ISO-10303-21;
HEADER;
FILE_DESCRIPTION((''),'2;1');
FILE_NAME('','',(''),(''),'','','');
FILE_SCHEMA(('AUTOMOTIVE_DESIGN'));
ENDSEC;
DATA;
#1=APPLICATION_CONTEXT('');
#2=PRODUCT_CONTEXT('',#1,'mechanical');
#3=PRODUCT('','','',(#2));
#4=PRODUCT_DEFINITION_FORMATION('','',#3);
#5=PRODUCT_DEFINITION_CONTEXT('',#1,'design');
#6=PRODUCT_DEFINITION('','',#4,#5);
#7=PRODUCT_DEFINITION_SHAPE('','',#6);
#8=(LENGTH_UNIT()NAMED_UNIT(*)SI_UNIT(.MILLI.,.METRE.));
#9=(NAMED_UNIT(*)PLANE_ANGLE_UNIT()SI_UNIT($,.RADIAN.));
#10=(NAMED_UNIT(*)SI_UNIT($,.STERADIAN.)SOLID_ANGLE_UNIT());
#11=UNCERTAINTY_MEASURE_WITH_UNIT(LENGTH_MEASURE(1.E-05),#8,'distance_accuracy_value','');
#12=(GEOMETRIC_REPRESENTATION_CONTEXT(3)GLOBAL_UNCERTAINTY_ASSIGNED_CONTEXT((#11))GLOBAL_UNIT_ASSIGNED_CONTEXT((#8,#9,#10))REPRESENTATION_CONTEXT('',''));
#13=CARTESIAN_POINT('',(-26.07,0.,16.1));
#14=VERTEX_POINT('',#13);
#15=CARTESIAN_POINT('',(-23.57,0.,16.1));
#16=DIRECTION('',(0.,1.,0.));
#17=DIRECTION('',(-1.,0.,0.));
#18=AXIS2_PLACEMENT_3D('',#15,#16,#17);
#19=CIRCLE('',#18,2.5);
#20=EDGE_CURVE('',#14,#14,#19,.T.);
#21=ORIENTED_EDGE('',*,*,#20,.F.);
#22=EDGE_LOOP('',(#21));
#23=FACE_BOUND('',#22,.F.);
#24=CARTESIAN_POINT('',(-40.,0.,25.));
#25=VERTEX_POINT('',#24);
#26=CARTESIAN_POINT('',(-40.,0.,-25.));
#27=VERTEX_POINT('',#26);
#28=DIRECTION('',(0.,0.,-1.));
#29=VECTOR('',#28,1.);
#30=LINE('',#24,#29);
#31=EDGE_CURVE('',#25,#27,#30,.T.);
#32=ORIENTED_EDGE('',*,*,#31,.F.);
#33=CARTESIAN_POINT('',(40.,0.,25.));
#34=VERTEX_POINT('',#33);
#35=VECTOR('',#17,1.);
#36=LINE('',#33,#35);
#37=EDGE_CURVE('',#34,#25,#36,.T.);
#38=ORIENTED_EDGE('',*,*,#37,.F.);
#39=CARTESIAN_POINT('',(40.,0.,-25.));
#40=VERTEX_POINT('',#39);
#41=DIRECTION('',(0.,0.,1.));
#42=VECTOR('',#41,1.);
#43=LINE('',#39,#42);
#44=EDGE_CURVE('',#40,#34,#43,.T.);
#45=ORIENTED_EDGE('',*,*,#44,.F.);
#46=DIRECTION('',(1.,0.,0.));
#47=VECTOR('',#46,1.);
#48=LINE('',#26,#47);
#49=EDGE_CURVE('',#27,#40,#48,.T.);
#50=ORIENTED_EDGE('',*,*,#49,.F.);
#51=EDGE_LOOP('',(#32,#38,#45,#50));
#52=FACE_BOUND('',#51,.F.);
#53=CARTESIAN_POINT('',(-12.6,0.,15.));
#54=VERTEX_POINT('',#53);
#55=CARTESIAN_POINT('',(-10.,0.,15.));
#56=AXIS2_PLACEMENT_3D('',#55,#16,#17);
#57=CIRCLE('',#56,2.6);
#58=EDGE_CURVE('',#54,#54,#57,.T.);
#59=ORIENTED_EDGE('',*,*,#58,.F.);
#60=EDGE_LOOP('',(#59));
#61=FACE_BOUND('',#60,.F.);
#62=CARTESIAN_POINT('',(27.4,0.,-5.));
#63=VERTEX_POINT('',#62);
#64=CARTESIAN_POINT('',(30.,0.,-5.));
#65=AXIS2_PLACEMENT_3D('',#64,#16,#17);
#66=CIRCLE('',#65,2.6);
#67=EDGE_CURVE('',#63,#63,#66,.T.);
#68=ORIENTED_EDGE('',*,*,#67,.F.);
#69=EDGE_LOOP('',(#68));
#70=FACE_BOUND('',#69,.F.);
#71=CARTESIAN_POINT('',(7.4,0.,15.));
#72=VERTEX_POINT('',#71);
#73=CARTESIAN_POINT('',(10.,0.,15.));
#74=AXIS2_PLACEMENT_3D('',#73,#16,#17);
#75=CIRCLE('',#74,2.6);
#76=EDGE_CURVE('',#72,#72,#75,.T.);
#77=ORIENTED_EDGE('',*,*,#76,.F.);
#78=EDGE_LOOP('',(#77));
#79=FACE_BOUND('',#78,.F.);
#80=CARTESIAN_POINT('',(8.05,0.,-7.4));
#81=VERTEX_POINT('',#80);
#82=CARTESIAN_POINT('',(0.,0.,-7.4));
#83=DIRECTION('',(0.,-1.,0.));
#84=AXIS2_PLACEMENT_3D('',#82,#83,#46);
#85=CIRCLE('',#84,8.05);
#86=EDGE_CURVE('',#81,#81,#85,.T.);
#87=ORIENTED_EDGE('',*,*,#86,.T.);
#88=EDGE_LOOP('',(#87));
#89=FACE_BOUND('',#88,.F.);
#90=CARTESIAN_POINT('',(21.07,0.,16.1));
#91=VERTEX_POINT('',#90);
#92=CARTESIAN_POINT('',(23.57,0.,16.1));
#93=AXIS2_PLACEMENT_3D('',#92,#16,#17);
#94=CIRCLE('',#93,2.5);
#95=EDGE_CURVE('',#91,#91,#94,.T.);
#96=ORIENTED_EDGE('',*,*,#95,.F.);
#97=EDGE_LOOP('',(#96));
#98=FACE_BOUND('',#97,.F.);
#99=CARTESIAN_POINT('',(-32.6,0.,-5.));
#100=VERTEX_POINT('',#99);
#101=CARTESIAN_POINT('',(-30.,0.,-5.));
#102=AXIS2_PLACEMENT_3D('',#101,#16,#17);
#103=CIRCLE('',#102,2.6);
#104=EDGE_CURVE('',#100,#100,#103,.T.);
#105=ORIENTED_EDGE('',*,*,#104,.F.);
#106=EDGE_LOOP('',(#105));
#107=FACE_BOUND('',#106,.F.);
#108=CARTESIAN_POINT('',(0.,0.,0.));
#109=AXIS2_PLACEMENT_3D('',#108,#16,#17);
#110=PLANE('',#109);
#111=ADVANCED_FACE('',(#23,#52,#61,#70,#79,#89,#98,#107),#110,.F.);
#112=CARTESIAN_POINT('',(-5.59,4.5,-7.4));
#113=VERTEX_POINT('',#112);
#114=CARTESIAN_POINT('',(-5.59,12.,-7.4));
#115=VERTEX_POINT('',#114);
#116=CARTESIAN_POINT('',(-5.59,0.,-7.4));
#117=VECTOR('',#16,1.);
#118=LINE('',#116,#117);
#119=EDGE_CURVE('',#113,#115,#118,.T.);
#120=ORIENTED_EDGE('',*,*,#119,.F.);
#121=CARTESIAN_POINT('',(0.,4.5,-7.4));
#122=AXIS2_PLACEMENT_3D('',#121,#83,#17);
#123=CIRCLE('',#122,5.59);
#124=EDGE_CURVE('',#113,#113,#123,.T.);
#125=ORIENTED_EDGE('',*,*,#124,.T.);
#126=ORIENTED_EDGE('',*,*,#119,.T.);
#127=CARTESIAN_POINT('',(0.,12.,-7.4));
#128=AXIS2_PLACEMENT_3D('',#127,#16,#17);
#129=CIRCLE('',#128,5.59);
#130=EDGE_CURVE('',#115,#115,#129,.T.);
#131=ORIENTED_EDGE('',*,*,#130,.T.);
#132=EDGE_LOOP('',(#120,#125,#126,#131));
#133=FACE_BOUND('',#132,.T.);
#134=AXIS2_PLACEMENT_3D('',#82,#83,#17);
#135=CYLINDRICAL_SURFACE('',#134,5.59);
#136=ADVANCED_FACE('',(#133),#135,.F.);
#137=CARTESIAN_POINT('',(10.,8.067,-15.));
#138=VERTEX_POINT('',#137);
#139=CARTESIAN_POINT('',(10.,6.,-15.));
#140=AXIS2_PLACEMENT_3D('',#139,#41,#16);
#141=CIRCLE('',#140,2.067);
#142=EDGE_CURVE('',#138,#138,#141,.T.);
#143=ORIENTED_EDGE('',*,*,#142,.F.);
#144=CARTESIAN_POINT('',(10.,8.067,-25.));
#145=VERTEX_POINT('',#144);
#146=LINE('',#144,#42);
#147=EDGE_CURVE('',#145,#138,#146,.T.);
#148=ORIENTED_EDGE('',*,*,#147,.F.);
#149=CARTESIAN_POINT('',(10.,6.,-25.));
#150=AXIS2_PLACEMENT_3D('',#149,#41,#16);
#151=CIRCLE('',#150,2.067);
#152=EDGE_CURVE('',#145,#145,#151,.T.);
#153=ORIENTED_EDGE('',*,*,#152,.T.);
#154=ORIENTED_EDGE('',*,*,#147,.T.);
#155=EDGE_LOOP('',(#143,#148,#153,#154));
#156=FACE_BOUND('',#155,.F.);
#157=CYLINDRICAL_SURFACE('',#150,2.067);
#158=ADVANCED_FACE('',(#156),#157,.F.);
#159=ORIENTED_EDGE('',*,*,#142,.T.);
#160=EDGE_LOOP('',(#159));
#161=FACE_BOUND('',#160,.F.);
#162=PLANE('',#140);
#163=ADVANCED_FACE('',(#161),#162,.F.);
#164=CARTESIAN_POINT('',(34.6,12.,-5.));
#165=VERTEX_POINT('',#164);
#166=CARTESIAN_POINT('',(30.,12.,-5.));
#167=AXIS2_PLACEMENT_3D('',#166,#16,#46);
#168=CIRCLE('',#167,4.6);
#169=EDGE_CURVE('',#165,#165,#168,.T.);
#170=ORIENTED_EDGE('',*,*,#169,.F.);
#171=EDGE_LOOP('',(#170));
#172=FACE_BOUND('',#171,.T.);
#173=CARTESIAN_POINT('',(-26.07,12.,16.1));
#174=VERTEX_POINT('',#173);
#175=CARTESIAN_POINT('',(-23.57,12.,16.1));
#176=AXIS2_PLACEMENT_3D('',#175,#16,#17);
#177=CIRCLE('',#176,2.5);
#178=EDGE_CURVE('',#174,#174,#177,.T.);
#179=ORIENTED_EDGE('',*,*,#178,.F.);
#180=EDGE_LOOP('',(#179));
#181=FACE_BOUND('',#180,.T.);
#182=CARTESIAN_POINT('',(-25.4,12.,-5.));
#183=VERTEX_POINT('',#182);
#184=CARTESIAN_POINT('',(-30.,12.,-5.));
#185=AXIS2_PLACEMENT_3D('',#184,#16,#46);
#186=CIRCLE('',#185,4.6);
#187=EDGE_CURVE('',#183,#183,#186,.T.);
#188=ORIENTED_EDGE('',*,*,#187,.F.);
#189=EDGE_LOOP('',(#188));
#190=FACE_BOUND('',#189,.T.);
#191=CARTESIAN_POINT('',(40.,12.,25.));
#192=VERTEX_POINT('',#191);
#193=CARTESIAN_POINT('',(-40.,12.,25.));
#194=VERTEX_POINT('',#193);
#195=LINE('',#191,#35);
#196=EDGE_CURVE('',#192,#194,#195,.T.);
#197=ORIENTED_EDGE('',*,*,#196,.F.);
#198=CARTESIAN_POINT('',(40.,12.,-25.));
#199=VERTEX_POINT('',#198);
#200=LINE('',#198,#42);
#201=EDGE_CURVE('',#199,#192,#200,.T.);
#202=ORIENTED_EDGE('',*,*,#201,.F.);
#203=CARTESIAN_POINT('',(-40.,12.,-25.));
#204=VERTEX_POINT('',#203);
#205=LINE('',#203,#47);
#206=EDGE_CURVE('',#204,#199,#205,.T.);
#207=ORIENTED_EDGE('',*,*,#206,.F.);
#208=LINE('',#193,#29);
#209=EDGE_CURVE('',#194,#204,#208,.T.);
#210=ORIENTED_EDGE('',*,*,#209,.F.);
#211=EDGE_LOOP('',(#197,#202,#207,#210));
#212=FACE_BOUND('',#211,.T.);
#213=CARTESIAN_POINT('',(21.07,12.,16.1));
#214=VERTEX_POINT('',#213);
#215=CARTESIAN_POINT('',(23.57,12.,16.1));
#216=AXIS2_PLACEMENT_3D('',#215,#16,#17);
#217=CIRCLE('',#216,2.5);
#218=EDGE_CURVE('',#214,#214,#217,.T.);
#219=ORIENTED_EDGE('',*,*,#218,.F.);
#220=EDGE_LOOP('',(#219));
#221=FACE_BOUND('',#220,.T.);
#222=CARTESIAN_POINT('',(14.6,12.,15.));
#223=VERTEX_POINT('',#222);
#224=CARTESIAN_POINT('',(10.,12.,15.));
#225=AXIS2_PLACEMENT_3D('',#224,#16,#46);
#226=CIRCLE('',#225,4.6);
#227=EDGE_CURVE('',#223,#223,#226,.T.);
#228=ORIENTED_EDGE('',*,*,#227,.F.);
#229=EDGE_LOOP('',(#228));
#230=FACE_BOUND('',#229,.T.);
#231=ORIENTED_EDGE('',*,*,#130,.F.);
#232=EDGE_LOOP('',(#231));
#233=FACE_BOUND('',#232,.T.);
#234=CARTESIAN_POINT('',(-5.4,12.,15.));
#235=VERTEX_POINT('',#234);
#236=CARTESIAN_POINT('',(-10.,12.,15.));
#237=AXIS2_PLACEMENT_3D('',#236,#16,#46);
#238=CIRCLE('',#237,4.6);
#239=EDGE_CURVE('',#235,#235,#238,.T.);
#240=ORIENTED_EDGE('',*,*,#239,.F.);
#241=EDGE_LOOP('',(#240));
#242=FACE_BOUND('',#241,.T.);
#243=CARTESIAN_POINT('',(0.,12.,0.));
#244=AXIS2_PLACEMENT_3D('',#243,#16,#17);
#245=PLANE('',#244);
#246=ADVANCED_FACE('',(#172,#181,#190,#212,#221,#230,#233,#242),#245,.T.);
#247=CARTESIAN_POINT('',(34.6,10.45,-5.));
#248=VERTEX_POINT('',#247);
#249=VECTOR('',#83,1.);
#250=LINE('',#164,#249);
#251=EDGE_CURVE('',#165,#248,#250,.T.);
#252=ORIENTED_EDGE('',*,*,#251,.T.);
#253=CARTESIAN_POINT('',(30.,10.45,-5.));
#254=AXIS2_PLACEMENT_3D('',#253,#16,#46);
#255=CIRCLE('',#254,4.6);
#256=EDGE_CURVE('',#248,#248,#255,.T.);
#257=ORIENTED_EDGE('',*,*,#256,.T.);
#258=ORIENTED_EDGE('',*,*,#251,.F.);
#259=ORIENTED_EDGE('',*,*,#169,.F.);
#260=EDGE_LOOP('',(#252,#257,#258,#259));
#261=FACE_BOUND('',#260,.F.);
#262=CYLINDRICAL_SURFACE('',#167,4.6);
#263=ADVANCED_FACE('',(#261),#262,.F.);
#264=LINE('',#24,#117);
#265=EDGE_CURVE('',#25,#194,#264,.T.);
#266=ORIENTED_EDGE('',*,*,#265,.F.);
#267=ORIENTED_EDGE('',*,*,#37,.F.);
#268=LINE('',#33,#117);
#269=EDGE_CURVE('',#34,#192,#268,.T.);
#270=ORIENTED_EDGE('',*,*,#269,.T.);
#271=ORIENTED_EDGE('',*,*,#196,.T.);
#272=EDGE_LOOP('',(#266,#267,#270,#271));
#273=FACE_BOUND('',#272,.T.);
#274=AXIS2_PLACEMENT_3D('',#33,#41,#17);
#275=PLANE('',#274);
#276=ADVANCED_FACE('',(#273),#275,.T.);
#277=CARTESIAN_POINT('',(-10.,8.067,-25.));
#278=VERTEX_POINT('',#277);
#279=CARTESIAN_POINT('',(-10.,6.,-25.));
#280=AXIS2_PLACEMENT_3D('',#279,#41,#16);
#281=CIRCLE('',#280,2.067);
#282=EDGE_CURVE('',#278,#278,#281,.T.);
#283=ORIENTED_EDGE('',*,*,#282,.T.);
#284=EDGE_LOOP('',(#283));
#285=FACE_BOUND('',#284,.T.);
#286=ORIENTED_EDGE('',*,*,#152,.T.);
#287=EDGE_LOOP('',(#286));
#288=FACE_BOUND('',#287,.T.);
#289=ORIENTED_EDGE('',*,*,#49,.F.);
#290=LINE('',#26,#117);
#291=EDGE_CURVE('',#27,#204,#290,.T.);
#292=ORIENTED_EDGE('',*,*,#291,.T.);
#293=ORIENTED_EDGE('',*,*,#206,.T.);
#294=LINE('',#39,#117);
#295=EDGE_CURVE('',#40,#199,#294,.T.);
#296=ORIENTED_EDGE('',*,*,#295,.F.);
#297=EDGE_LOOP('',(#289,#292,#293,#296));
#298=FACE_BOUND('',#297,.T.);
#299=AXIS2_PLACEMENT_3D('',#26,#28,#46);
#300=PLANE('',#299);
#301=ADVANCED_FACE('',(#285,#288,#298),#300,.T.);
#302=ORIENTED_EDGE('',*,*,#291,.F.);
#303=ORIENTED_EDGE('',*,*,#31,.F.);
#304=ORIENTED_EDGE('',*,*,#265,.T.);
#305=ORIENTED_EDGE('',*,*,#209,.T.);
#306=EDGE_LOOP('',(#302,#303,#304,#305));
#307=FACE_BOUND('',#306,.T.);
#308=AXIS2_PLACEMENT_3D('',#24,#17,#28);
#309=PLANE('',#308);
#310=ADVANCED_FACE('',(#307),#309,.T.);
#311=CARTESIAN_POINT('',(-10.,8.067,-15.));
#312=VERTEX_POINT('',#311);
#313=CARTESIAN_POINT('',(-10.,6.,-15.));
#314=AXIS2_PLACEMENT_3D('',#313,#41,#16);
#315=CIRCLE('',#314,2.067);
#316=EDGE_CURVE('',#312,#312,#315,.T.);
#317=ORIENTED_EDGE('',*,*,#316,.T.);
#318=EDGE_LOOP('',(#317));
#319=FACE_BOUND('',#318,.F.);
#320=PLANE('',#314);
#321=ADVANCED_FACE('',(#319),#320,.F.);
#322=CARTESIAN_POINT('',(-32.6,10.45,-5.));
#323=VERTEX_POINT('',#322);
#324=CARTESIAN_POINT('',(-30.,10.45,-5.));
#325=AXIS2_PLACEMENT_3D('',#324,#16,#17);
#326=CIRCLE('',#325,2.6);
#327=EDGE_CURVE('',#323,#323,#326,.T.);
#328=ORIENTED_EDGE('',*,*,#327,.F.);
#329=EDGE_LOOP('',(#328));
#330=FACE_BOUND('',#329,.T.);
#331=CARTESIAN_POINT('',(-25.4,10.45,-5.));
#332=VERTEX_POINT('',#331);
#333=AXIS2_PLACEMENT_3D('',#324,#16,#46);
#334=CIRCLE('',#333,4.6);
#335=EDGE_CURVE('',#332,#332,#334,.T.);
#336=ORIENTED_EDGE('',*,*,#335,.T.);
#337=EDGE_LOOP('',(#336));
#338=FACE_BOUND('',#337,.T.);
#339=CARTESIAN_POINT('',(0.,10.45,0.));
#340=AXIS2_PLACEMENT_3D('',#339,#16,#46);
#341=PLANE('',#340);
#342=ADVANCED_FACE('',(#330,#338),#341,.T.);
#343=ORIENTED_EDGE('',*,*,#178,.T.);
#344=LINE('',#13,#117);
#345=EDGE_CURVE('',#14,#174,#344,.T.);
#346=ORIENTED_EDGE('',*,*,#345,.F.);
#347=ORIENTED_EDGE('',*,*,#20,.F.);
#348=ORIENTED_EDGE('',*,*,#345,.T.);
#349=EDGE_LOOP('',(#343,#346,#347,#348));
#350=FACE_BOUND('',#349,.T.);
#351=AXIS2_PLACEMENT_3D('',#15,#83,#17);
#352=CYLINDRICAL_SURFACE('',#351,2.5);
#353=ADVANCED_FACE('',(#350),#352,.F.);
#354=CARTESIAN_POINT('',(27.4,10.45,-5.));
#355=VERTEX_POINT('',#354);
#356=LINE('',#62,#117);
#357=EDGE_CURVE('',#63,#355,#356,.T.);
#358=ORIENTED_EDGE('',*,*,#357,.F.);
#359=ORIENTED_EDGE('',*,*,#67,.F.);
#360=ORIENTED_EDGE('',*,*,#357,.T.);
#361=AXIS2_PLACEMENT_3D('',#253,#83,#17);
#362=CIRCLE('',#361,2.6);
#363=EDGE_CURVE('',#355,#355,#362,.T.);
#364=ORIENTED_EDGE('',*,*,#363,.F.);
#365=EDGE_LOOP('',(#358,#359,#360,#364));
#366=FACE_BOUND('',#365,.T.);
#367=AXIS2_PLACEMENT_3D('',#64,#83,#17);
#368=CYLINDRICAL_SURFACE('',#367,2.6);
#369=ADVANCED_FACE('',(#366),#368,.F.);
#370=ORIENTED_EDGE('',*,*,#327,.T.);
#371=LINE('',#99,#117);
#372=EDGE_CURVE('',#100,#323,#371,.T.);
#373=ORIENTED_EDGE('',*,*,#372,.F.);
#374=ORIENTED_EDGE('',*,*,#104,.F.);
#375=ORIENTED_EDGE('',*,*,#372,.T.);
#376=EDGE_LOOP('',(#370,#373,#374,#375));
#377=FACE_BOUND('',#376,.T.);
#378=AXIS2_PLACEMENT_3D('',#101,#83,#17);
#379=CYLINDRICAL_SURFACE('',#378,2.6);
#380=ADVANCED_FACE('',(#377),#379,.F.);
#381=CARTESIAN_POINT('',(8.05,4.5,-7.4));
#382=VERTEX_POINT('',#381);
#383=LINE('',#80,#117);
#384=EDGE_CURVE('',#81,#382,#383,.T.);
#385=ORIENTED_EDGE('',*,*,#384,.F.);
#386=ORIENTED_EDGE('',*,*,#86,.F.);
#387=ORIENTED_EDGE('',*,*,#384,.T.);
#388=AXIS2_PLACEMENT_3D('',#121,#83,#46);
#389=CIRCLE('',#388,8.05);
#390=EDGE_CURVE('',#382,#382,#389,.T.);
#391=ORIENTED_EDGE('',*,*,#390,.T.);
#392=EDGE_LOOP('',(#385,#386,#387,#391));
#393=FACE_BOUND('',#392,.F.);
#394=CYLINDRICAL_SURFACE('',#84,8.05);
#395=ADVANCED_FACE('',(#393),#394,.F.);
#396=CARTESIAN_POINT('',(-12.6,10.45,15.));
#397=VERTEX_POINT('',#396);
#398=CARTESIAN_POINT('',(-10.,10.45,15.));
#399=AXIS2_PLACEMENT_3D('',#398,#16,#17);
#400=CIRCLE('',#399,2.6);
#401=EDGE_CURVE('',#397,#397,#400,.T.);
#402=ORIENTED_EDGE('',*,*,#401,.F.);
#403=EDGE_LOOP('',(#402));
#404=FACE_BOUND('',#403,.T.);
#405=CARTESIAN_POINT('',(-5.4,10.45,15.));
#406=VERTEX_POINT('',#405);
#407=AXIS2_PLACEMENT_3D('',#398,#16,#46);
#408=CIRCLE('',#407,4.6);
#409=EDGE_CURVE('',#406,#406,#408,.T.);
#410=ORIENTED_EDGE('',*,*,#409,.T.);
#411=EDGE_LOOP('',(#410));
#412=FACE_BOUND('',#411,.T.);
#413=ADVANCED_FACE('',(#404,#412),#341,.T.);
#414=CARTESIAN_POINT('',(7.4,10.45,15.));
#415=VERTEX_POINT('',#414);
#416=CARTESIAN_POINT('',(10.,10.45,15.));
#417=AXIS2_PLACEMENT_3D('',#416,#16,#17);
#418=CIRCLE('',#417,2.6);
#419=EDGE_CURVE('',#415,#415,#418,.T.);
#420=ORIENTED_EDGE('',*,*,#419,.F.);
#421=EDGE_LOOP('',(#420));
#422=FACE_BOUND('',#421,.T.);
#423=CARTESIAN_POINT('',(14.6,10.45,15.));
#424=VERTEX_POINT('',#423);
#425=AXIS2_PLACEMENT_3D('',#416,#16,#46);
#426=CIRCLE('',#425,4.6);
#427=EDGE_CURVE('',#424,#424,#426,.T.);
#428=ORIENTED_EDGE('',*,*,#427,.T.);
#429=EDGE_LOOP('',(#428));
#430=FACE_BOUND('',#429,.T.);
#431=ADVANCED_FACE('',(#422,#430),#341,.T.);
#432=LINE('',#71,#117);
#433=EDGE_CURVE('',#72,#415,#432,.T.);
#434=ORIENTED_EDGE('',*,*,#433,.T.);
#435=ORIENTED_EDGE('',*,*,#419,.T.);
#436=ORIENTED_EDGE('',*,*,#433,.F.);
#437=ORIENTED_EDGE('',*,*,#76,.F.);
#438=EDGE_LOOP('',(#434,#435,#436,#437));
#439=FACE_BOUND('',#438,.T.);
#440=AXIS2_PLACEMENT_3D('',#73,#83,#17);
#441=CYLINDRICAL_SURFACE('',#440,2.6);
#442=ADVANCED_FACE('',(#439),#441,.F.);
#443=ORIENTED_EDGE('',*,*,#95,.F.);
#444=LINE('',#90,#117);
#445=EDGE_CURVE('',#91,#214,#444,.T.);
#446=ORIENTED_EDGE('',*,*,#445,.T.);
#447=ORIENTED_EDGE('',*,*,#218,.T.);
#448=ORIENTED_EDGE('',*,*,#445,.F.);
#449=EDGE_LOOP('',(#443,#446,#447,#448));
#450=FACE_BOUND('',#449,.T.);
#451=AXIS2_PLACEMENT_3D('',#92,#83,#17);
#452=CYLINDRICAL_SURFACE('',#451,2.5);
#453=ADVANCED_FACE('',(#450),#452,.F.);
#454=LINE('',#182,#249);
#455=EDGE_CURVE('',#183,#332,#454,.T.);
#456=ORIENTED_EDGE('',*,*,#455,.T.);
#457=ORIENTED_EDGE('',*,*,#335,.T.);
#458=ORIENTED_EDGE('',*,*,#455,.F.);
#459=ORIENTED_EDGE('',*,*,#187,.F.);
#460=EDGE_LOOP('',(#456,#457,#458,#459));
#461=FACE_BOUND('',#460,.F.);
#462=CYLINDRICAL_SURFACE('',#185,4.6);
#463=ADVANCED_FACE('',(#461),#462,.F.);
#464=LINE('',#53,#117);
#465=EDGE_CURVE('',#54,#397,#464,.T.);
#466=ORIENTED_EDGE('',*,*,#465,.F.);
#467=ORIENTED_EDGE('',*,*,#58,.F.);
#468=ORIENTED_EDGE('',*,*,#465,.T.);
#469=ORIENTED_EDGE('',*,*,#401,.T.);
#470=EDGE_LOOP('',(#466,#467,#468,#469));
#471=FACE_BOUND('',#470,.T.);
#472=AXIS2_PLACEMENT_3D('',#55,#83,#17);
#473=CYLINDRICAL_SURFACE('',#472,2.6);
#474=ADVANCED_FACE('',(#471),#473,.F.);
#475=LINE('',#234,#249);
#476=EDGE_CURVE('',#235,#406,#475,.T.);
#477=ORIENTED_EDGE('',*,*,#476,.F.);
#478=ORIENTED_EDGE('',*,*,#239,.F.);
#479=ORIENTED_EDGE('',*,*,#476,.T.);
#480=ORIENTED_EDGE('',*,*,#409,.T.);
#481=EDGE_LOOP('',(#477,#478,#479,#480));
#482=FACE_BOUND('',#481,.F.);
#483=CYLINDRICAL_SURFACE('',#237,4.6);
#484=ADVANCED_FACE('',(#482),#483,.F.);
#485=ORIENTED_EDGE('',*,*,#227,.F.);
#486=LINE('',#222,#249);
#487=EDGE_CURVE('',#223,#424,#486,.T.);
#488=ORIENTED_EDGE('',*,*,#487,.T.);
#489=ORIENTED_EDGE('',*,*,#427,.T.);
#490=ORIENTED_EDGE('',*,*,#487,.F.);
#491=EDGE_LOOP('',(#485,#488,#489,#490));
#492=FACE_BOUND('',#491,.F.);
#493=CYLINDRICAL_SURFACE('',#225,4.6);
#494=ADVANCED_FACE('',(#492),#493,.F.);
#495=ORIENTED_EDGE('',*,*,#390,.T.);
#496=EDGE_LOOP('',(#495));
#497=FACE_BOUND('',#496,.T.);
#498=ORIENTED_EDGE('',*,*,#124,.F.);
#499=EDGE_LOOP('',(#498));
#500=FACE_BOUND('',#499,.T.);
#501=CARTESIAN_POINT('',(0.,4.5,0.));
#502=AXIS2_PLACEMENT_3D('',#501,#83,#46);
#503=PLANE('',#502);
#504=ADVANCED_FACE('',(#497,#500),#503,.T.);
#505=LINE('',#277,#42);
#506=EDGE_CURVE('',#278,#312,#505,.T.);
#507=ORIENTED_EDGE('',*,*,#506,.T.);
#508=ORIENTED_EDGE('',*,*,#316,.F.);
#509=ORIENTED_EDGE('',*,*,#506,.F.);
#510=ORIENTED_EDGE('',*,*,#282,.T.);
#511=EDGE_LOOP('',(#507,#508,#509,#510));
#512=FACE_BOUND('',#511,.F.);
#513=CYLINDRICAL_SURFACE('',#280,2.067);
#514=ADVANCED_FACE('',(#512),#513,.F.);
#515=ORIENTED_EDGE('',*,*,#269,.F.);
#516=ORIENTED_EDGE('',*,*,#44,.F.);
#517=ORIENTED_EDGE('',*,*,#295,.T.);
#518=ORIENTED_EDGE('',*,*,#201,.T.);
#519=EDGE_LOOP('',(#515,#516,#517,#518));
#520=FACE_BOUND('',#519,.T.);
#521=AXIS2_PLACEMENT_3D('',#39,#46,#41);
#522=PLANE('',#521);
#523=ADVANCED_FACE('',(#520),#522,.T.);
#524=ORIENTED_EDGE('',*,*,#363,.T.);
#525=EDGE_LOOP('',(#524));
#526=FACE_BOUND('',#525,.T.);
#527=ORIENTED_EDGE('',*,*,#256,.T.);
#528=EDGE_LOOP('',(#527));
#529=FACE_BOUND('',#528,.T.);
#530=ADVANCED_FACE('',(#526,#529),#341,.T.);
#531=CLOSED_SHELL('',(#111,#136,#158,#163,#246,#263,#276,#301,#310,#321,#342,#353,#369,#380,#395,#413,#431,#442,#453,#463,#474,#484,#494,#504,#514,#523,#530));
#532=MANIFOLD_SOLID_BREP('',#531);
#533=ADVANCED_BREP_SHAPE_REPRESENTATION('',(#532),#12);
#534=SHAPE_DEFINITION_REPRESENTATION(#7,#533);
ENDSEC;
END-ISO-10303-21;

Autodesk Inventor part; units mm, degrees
ref_plane "YZ Plane" through (0, 0, 0) normal (1, 0, 0) x (0, 1, 0)
ref_plane "XZ Plane" through (0, 0, 0) normal (0, 1, 0) x (-1, 0, 0)
ref_plane "XY Plane" through (0, 0, 0) normal (0, 0, 1) x (1, 0, 0)
sketch "Sketch1" plane through (0, 0, 0) normal (0, 1, 0) x (-1, 0, 0)
  line L0 (40, -25) -> (-40, -25)
  line L1 (-40, -25) -> (-40, 25)
  line L2 (-40, 25) -> (40, 25)
  line L3 (40, 25) -> (40, -25)
  circle A0 centre (30, -5) radius 2.6
  circle A1 centre (0, -7.4) radius 5.59
  circle A2 centre (-30, -5) radius 2.6
  circle A3 centre (10, 15) radius 2.6
  circle A4 centre (-10, 15) radius 2.6
  circle A5 centre (23.57, 16.1) radius 2.5
  circle A6 centre (-23.57, 16.1) radius 2.5
  point P0 (40, 0)
  point P1 (0, 0)
  point P2 (0, -25)
  dimension "d3" = 80
  dimension "d4" = 50
  dimension "d5" = 5.2
  dimension "d6" = 5.2
  dimension "d7" = 5
  dimension "d8" = 11.18
  dimension "d9" = 10
  dimension "d10" = 10
  dimension "d11" = 30
  dimension "d12" = 30
  dimension "d13" = 10
  dimension "d14" = 30
  dimension "d15" = 30
  dimension "d16" = 10
  dimension "d17" = 40
  dimension "d18" = 32.4
  dimension "d19" = 8.9
  dimension "d20" = 8.9
  dimension "d21" = 16.43
  dimension "d44" = 16.43
extrude "Extrusion1" add sketch "Sketch1" along normal blind 12
sketch "Sketch2" plane through (0, 12, 0) normal (0, 1, 0) x (1, 0, 0)
  circle A0 centre (-30, 5) radius 2.6 projected
  circle A1 centre (-10, -15) radius 2.6 projected
  circle A2 centre (10, -15) radius 2.6 projected
  circle A3 centre (30, 5) radius 2.6 projected
  circle A4 centre (-30, 5) radius 4.6
  circle A5 centre (-10, -15) radius 4.6
  circle A6 centre (10, -15) radius 4.6
  circle A7 centre (30, 5) radius 4.6
  point P0 (0, 0)
  dimension "d25" = 9.2
extrude "Extrusion2" cut sketch "Sketch2" against normal blind 1.55 contours A3 | A4 | A5 | A6 | A7
thread "Thread1" size "M5x0.8" class "6H" standard "ANSI Metric M Profile" full length
thread "Thread2" size "M5x0.8" class "6H" standard "ANSI Metric M Profile" full length
sketch "Sketch3" plane through (0, 0, 0) normal (0, -1, 0) x (1, 0, 0)
  circle A0 centre (0, -7.4) radius 5.59 projected
  circle A1 centre (0, -7.4) radius 8.05
  point P0 (0, 0)
  dimension "d32" = 16.1
extrude "Extrusion3" cut sketch "Sketch3" against normal blind 4.5 contours A0 | A1
sketch "Sketch4" plane through (40, 0, -25) normal (0, 0, -1) x (-1, 0, 0)
  line L0 (0, 0) -> (0, 12) projected
  point P0 (40, 0)
  point P1 (30, 6)
  point P2 (50, 6)
  point P3 (0, 6)
  dimension "d35" = 30
  dimension "d36" = 20
hole "Hole1" at (10, 6, -25) at (-10, 6, -25) direction (0, 0, 1) diameter 4.134 depth 10 thread size "M5x0.8" class "6H" standard "ISO Metric profile"
properties part number "C-Beam End Mount" material "Aluminum 6061"
